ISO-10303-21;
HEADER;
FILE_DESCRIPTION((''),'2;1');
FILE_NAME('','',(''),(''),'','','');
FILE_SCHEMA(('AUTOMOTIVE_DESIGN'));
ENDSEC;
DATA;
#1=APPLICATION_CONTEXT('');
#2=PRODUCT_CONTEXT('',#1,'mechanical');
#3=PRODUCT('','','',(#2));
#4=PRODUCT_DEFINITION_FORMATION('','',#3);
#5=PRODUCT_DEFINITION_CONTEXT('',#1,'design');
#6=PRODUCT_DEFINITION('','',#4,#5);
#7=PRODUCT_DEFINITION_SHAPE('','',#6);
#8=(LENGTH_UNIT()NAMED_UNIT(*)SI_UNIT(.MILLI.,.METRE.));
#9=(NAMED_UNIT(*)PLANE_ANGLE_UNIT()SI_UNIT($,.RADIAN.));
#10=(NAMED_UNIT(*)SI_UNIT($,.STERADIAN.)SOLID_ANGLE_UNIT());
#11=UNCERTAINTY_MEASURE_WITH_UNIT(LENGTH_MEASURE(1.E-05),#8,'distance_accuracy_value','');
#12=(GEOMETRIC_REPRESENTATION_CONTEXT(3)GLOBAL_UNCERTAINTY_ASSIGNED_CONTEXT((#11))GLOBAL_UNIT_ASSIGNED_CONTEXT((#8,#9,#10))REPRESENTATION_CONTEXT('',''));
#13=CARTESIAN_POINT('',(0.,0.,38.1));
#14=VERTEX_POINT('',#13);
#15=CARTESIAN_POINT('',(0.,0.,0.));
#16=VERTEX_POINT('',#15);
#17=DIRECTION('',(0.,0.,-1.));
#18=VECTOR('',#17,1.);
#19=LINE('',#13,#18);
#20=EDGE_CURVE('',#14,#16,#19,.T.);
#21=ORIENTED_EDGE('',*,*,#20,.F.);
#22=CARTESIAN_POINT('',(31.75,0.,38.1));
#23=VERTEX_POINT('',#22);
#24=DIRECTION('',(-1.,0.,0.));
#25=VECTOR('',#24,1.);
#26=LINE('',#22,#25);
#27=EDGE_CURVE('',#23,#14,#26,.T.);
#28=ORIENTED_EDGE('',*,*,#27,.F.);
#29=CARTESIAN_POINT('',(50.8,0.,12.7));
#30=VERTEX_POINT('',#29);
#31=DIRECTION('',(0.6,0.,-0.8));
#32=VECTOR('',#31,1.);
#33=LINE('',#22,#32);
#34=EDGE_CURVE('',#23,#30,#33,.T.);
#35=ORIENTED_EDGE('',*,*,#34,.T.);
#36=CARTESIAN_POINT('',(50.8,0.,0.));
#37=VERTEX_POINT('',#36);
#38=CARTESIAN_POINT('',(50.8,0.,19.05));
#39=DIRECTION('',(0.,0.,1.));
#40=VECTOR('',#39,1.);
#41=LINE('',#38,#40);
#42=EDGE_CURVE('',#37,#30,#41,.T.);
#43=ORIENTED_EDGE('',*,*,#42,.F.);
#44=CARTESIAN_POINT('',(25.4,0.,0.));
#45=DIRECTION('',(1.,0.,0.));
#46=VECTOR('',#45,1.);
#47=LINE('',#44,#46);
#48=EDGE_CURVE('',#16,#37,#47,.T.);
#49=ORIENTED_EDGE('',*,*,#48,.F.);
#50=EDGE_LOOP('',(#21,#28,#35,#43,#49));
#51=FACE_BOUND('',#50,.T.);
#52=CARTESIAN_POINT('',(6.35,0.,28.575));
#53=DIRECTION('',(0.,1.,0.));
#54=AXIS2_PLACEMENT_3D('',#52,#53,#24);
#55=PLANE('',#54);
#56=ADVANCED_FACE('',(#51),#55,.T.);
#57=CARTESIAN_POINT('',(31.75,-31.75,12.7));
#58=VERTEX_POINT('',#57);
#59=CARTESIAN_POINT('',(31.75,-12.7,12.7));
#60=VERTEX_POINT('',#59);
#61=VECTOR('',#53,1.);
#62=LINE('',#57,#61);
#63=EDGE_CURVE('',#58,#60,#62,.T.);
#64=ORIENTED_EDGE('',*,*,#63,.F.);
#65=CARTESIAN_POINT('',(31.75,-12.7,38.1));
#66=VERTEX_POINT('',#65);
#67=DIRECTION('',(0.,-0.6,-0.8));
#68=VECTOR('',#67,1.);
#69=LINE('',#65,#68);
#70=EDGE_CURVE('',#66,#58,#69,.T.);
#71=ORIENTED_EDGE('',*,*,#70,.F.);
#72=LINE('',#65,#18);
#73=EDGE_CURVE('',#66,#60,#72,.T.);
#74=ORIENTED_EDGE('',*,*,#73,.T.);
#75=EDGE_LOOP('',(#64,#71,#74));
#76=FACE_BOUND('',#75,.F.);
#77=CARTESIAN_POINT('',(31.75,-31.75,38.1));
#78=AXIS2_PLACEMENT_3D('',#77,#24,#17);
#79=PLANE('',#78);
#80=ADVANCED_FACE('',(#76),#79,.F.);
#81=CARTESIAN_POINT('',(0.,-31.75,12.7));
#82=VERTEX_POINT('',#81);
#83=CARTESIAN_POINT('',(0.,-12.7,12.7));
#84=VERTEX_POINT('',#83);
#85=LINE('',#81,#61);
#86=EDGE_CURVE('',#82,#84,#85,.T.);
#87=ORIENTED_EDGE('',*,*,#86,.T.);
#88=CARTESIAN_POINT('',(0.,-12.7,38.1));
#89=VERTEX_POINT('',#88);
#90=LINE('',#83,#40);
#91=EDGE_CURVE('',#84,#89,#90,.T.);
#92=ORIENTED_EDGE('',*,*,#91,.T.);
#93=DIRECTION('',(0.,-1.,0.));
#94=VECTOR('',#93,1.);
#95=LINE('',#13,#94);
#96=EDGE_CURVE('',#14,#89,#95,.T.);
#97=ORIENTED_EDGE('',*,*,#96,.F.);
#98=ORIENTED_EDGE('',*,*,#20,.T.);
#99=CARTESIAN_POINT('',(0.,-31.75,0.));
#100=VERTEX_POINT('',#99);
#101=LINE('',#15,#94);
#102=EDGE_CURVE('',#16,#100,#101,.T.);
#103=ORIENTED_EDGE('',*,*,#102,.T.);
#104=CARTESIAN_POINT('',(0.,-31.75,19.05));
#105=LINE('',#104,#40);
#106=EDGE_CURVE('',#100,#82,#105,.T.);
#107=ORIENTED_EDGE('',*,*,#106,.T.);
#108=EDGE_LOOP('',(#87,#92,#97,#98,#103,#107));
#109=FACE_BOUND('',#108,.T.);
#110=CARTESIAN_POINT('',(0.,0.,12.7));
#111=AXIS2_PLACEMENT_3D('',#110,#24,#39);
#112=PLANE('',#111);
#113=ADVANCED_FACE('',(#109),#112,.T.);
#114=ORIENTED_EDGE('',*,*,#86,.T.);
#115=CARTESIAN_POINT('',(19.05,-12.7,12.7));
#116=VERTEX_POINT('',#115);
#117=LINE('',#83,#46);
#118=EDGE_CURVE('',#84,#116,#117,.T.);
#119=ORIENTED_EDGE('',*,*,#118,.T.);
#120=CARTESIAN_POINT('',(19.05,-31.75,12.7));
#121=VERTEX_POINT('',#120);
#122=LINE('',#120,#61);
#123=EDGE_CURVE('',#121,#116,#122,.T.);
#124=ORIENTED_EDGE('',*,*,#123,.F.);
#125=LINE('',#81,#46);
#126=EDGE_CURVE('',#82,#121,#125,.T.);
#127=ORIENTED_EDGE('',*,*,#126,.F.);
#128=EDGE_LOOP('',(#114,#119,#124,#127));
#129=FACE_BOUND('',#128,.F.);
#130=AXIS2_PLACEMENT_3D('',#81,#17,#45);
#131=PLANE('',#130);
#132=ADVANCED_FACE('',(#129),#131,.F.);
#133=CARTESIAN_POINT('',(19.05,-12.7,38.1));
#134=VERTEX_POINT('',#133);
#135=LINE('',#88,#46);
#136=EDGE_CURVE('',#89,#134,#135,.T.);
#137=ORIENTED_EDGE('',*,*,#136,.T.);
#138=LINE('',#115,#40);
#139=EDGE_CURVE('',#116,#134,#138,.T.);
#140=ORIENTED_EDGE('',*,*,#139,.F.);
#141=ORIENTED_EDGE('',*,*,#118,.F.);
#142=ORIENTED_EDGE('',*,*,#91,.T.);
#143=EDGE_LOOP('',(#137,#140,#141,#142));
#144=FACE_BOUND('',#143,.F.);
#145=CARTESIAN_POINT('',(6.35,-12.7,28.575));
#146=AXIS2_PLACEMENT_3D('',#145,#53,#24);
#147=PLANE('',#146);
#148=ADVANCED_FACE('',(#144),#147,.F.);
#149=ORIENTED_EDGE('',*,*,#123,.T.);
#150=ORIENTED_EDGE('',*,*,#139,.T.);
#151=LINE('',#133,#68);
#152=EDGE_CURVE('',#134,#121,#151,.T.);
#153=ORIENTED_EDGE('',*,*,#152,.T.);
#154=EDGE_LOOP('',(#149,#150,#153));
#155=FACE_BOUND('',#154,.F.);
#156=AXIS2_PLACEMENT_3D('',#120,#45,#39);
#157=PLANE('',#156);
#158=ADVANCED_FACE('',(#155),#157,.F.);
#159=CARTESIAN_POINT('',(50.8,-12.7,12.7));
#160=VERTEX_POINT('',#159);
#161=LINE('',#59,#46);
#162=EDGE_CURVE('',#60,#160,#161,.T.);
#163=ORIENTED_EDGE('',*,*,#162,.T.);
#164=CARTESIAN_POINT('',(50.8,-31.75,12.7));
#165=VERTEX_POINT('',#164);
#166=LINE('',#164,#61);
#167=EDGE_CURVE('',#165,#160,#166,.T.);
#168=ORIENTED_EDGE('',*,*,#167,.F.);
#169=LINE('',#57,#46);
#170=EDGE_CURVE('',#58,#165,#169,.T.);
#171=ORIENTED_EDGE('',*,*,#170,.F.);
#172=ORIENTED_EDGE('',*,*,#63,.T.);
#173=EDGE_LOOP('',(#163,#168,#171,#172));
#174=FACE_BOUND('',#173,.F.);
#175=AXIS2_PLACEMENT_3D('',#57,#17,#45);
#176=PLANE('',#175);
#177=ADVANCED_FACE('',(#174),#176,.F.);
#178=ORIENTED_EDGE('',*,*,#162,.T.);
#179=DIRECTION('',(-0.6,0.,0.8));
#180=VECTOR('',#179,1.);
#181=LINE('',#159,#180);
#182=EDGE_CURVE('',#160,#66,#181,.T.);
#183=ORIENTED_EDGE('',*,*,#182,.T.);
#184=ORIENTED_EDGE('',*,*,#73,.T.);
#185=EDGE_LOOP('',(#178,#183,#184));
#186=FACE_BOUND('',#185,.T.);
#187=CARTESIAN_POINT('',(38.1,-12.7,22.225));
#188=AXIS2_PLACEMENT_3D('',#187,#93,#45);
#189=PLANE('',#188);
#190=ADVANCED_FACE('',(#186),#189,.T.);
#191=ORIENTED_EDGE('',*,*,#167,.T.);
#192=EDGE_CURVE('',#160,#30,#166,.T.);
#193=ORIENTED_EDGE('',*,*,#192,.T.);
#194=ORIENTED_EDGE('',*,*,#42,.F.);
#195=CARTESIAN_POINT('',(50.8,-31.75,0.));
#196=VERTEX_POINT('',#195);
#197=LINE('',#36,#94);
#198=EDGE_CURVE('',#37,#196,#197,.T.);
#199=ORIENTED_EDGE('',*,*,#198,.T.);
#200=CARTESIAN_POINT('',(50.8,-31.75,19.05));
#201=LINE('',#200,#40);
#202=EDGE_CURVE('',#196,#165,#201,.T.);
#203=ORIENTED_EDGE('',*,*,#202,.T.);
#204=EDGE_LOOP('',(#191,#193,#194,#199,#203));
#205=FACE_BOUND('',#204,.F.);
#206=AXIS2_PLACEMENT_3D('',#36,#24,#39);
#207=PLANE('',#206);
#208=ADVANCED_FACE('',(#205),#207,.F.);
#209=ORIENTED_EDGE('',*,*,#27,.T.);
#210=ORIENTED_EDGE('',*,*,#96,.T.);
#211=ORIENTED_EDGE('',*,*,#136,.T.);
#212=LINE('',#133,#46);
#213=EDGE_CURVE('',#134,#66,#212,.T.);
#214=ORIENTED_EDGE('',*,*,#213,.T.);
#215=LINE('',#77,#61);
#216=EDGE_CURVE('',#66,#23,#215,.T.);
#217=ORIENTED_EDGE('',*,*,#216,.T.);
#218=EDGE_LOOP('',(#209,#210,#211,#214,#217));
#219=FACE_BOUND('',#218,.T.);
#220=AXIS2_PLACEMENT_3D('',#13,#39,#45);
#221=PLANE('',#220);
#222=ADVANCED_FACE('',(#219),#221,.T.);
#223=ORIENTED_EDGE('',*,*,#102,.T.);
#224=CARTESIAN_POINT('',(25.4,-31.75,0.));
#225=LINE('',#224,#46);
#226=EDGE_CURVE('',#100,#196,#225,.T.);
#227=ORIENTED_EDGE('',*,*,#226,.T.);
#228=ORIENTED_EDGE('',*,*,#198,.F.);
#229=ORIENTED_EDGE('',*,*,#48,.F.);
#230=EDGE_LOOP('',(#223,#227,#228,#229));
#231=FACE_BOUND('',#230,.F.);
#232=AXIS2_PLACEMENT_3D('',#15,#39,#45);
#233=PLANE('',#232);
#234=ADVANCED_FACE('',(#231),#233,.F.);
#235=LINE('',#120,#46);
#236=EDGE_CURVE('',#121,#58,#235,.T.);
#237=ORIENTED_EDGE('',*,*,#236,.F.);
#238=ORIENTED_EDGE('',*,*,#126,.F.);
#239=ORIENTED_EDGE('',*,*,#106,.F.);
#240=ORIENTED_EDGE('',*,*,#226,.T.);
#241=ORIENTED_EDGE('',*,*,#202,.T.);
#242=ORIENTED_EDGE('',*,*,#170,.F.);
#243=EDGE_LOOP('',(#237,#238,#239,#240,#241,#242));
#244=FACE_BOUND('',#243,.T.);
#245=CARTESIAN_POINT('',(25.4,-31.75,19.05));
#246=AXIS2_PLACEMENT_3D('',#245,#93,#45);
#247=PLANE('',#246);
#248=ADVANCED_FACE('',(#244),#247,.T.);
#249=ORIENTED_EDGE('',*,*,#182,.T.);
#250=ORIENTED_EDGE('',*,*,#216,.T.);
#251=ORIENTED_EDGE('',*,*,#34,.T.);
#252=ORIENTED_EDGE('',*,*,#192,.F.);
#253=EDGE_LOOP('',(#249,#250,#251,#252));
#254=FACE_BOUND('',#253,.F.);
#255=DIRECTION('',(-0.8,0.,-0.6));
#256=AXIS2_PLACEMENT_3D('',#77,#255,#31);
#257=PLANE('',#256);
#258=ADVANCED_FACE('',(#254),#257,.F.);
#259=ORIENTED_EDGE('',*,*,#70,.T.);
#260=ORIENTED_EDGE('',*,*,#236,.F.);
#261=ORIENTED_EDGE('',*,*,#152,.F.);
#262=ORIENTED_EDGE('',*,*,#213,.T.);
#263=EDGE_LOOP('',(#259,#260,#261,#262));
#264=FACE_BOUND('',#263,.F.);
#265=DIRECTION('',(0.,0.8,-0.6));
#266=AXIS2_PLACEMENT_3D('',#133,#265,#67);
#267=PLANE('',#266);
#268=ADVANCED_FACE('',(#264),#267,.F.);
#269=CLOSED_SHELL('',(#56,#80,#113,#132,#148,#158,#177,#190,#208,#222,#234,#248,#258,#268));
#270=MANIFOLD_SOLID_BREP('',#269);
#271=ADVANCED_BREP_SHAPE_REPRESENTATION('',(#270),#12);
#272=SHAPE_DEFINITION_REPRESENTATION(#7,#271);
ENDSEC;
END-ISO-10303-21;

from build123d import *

# Parameters (mm, degrees)
F0_W      = 50.8
F0_H      = 38.1
F1_DEPTH  = 31.75
F3_DEPTH  = 31.75
F5_DEPTH  = 31.75
F7_DEPTH  = 19.05
F9_DEPTH  = 19.05
F11_DEPTH = 12.7
F13_DEPTH = 12.7


with BuildPart() as f1:
    # F0 (on Front) → F1 (new body)
    with BuildSketch(Plane.XZ):
        with Locations((25.4, 19.05)):
            Rectangle(F0_W, F0_H)
    extrude(amount=F1_DEPTH)

    # F2 (on face) → F3 (cut)
    with BuildSketch(Plane.XZ.offset(31.75)):
        Polygon((50.8, 38.1), (31.75, 38.1), (50.8, 12.7), align=None)
    extrude(amount=-F3_DEPTH, mode=Mode.SUBTRACT)

    # F4 (on face) → F5 (cut)
    with BuildSketch(Plane.XZ.offset(31.75)):
        Polygon((0, 12.7), (19.05, 38.1), (0, 38.1), align=None)
    extrude(amount=-F5_DEPTH, mode=Mode.SUBTRACT)

    # F6 (on face) → F7 (cut)
    with BuildSketch(Plane.XZ.offset(31.75)):
        Polygon((31.75, 12.7), (50.8, 12.7), (31.75, 38.1), align=None)
    extrude(amount=-F7_DEPTH, mode=Mode.SUBTRACT)

    # F8 (on face) → F9 (cut)
    with BuildSketch(Plane.XZ.offset(31.75)):
        Polygon((19.05, 38.1), (0, 12.7), (19.05, 12.7), align=None)
    extrude(amount=-F9_DEPTH, mode=Mode.SUBTRACT)

    # F10 (on face) → F11 (join)
    with BuildSketch(Plane(origin=(0, 0, 0), x_dir=(-1, 0, 0), z_dir=(0, 1, 0))):
        Polygon((0, 38.1), (-19.05, 38.1), (0, 12.7), align=None)
    extrude(amount=-F11_DEPTH)

    # F12 (on face) → F13 (cut)
    with BuildSketch(Plane(origin=(19.05, 0, 0), x_dir=(0, -1, 0), z_dir=(-1, 0, 0))):
        Polygon((31.75, 38.1), (12.7, 38.1), (31.75, 12.7), align=None)
    extrude(amount=-F13_DEPTH, mode=Mode.SUBTRACT)


solid = f1.part
